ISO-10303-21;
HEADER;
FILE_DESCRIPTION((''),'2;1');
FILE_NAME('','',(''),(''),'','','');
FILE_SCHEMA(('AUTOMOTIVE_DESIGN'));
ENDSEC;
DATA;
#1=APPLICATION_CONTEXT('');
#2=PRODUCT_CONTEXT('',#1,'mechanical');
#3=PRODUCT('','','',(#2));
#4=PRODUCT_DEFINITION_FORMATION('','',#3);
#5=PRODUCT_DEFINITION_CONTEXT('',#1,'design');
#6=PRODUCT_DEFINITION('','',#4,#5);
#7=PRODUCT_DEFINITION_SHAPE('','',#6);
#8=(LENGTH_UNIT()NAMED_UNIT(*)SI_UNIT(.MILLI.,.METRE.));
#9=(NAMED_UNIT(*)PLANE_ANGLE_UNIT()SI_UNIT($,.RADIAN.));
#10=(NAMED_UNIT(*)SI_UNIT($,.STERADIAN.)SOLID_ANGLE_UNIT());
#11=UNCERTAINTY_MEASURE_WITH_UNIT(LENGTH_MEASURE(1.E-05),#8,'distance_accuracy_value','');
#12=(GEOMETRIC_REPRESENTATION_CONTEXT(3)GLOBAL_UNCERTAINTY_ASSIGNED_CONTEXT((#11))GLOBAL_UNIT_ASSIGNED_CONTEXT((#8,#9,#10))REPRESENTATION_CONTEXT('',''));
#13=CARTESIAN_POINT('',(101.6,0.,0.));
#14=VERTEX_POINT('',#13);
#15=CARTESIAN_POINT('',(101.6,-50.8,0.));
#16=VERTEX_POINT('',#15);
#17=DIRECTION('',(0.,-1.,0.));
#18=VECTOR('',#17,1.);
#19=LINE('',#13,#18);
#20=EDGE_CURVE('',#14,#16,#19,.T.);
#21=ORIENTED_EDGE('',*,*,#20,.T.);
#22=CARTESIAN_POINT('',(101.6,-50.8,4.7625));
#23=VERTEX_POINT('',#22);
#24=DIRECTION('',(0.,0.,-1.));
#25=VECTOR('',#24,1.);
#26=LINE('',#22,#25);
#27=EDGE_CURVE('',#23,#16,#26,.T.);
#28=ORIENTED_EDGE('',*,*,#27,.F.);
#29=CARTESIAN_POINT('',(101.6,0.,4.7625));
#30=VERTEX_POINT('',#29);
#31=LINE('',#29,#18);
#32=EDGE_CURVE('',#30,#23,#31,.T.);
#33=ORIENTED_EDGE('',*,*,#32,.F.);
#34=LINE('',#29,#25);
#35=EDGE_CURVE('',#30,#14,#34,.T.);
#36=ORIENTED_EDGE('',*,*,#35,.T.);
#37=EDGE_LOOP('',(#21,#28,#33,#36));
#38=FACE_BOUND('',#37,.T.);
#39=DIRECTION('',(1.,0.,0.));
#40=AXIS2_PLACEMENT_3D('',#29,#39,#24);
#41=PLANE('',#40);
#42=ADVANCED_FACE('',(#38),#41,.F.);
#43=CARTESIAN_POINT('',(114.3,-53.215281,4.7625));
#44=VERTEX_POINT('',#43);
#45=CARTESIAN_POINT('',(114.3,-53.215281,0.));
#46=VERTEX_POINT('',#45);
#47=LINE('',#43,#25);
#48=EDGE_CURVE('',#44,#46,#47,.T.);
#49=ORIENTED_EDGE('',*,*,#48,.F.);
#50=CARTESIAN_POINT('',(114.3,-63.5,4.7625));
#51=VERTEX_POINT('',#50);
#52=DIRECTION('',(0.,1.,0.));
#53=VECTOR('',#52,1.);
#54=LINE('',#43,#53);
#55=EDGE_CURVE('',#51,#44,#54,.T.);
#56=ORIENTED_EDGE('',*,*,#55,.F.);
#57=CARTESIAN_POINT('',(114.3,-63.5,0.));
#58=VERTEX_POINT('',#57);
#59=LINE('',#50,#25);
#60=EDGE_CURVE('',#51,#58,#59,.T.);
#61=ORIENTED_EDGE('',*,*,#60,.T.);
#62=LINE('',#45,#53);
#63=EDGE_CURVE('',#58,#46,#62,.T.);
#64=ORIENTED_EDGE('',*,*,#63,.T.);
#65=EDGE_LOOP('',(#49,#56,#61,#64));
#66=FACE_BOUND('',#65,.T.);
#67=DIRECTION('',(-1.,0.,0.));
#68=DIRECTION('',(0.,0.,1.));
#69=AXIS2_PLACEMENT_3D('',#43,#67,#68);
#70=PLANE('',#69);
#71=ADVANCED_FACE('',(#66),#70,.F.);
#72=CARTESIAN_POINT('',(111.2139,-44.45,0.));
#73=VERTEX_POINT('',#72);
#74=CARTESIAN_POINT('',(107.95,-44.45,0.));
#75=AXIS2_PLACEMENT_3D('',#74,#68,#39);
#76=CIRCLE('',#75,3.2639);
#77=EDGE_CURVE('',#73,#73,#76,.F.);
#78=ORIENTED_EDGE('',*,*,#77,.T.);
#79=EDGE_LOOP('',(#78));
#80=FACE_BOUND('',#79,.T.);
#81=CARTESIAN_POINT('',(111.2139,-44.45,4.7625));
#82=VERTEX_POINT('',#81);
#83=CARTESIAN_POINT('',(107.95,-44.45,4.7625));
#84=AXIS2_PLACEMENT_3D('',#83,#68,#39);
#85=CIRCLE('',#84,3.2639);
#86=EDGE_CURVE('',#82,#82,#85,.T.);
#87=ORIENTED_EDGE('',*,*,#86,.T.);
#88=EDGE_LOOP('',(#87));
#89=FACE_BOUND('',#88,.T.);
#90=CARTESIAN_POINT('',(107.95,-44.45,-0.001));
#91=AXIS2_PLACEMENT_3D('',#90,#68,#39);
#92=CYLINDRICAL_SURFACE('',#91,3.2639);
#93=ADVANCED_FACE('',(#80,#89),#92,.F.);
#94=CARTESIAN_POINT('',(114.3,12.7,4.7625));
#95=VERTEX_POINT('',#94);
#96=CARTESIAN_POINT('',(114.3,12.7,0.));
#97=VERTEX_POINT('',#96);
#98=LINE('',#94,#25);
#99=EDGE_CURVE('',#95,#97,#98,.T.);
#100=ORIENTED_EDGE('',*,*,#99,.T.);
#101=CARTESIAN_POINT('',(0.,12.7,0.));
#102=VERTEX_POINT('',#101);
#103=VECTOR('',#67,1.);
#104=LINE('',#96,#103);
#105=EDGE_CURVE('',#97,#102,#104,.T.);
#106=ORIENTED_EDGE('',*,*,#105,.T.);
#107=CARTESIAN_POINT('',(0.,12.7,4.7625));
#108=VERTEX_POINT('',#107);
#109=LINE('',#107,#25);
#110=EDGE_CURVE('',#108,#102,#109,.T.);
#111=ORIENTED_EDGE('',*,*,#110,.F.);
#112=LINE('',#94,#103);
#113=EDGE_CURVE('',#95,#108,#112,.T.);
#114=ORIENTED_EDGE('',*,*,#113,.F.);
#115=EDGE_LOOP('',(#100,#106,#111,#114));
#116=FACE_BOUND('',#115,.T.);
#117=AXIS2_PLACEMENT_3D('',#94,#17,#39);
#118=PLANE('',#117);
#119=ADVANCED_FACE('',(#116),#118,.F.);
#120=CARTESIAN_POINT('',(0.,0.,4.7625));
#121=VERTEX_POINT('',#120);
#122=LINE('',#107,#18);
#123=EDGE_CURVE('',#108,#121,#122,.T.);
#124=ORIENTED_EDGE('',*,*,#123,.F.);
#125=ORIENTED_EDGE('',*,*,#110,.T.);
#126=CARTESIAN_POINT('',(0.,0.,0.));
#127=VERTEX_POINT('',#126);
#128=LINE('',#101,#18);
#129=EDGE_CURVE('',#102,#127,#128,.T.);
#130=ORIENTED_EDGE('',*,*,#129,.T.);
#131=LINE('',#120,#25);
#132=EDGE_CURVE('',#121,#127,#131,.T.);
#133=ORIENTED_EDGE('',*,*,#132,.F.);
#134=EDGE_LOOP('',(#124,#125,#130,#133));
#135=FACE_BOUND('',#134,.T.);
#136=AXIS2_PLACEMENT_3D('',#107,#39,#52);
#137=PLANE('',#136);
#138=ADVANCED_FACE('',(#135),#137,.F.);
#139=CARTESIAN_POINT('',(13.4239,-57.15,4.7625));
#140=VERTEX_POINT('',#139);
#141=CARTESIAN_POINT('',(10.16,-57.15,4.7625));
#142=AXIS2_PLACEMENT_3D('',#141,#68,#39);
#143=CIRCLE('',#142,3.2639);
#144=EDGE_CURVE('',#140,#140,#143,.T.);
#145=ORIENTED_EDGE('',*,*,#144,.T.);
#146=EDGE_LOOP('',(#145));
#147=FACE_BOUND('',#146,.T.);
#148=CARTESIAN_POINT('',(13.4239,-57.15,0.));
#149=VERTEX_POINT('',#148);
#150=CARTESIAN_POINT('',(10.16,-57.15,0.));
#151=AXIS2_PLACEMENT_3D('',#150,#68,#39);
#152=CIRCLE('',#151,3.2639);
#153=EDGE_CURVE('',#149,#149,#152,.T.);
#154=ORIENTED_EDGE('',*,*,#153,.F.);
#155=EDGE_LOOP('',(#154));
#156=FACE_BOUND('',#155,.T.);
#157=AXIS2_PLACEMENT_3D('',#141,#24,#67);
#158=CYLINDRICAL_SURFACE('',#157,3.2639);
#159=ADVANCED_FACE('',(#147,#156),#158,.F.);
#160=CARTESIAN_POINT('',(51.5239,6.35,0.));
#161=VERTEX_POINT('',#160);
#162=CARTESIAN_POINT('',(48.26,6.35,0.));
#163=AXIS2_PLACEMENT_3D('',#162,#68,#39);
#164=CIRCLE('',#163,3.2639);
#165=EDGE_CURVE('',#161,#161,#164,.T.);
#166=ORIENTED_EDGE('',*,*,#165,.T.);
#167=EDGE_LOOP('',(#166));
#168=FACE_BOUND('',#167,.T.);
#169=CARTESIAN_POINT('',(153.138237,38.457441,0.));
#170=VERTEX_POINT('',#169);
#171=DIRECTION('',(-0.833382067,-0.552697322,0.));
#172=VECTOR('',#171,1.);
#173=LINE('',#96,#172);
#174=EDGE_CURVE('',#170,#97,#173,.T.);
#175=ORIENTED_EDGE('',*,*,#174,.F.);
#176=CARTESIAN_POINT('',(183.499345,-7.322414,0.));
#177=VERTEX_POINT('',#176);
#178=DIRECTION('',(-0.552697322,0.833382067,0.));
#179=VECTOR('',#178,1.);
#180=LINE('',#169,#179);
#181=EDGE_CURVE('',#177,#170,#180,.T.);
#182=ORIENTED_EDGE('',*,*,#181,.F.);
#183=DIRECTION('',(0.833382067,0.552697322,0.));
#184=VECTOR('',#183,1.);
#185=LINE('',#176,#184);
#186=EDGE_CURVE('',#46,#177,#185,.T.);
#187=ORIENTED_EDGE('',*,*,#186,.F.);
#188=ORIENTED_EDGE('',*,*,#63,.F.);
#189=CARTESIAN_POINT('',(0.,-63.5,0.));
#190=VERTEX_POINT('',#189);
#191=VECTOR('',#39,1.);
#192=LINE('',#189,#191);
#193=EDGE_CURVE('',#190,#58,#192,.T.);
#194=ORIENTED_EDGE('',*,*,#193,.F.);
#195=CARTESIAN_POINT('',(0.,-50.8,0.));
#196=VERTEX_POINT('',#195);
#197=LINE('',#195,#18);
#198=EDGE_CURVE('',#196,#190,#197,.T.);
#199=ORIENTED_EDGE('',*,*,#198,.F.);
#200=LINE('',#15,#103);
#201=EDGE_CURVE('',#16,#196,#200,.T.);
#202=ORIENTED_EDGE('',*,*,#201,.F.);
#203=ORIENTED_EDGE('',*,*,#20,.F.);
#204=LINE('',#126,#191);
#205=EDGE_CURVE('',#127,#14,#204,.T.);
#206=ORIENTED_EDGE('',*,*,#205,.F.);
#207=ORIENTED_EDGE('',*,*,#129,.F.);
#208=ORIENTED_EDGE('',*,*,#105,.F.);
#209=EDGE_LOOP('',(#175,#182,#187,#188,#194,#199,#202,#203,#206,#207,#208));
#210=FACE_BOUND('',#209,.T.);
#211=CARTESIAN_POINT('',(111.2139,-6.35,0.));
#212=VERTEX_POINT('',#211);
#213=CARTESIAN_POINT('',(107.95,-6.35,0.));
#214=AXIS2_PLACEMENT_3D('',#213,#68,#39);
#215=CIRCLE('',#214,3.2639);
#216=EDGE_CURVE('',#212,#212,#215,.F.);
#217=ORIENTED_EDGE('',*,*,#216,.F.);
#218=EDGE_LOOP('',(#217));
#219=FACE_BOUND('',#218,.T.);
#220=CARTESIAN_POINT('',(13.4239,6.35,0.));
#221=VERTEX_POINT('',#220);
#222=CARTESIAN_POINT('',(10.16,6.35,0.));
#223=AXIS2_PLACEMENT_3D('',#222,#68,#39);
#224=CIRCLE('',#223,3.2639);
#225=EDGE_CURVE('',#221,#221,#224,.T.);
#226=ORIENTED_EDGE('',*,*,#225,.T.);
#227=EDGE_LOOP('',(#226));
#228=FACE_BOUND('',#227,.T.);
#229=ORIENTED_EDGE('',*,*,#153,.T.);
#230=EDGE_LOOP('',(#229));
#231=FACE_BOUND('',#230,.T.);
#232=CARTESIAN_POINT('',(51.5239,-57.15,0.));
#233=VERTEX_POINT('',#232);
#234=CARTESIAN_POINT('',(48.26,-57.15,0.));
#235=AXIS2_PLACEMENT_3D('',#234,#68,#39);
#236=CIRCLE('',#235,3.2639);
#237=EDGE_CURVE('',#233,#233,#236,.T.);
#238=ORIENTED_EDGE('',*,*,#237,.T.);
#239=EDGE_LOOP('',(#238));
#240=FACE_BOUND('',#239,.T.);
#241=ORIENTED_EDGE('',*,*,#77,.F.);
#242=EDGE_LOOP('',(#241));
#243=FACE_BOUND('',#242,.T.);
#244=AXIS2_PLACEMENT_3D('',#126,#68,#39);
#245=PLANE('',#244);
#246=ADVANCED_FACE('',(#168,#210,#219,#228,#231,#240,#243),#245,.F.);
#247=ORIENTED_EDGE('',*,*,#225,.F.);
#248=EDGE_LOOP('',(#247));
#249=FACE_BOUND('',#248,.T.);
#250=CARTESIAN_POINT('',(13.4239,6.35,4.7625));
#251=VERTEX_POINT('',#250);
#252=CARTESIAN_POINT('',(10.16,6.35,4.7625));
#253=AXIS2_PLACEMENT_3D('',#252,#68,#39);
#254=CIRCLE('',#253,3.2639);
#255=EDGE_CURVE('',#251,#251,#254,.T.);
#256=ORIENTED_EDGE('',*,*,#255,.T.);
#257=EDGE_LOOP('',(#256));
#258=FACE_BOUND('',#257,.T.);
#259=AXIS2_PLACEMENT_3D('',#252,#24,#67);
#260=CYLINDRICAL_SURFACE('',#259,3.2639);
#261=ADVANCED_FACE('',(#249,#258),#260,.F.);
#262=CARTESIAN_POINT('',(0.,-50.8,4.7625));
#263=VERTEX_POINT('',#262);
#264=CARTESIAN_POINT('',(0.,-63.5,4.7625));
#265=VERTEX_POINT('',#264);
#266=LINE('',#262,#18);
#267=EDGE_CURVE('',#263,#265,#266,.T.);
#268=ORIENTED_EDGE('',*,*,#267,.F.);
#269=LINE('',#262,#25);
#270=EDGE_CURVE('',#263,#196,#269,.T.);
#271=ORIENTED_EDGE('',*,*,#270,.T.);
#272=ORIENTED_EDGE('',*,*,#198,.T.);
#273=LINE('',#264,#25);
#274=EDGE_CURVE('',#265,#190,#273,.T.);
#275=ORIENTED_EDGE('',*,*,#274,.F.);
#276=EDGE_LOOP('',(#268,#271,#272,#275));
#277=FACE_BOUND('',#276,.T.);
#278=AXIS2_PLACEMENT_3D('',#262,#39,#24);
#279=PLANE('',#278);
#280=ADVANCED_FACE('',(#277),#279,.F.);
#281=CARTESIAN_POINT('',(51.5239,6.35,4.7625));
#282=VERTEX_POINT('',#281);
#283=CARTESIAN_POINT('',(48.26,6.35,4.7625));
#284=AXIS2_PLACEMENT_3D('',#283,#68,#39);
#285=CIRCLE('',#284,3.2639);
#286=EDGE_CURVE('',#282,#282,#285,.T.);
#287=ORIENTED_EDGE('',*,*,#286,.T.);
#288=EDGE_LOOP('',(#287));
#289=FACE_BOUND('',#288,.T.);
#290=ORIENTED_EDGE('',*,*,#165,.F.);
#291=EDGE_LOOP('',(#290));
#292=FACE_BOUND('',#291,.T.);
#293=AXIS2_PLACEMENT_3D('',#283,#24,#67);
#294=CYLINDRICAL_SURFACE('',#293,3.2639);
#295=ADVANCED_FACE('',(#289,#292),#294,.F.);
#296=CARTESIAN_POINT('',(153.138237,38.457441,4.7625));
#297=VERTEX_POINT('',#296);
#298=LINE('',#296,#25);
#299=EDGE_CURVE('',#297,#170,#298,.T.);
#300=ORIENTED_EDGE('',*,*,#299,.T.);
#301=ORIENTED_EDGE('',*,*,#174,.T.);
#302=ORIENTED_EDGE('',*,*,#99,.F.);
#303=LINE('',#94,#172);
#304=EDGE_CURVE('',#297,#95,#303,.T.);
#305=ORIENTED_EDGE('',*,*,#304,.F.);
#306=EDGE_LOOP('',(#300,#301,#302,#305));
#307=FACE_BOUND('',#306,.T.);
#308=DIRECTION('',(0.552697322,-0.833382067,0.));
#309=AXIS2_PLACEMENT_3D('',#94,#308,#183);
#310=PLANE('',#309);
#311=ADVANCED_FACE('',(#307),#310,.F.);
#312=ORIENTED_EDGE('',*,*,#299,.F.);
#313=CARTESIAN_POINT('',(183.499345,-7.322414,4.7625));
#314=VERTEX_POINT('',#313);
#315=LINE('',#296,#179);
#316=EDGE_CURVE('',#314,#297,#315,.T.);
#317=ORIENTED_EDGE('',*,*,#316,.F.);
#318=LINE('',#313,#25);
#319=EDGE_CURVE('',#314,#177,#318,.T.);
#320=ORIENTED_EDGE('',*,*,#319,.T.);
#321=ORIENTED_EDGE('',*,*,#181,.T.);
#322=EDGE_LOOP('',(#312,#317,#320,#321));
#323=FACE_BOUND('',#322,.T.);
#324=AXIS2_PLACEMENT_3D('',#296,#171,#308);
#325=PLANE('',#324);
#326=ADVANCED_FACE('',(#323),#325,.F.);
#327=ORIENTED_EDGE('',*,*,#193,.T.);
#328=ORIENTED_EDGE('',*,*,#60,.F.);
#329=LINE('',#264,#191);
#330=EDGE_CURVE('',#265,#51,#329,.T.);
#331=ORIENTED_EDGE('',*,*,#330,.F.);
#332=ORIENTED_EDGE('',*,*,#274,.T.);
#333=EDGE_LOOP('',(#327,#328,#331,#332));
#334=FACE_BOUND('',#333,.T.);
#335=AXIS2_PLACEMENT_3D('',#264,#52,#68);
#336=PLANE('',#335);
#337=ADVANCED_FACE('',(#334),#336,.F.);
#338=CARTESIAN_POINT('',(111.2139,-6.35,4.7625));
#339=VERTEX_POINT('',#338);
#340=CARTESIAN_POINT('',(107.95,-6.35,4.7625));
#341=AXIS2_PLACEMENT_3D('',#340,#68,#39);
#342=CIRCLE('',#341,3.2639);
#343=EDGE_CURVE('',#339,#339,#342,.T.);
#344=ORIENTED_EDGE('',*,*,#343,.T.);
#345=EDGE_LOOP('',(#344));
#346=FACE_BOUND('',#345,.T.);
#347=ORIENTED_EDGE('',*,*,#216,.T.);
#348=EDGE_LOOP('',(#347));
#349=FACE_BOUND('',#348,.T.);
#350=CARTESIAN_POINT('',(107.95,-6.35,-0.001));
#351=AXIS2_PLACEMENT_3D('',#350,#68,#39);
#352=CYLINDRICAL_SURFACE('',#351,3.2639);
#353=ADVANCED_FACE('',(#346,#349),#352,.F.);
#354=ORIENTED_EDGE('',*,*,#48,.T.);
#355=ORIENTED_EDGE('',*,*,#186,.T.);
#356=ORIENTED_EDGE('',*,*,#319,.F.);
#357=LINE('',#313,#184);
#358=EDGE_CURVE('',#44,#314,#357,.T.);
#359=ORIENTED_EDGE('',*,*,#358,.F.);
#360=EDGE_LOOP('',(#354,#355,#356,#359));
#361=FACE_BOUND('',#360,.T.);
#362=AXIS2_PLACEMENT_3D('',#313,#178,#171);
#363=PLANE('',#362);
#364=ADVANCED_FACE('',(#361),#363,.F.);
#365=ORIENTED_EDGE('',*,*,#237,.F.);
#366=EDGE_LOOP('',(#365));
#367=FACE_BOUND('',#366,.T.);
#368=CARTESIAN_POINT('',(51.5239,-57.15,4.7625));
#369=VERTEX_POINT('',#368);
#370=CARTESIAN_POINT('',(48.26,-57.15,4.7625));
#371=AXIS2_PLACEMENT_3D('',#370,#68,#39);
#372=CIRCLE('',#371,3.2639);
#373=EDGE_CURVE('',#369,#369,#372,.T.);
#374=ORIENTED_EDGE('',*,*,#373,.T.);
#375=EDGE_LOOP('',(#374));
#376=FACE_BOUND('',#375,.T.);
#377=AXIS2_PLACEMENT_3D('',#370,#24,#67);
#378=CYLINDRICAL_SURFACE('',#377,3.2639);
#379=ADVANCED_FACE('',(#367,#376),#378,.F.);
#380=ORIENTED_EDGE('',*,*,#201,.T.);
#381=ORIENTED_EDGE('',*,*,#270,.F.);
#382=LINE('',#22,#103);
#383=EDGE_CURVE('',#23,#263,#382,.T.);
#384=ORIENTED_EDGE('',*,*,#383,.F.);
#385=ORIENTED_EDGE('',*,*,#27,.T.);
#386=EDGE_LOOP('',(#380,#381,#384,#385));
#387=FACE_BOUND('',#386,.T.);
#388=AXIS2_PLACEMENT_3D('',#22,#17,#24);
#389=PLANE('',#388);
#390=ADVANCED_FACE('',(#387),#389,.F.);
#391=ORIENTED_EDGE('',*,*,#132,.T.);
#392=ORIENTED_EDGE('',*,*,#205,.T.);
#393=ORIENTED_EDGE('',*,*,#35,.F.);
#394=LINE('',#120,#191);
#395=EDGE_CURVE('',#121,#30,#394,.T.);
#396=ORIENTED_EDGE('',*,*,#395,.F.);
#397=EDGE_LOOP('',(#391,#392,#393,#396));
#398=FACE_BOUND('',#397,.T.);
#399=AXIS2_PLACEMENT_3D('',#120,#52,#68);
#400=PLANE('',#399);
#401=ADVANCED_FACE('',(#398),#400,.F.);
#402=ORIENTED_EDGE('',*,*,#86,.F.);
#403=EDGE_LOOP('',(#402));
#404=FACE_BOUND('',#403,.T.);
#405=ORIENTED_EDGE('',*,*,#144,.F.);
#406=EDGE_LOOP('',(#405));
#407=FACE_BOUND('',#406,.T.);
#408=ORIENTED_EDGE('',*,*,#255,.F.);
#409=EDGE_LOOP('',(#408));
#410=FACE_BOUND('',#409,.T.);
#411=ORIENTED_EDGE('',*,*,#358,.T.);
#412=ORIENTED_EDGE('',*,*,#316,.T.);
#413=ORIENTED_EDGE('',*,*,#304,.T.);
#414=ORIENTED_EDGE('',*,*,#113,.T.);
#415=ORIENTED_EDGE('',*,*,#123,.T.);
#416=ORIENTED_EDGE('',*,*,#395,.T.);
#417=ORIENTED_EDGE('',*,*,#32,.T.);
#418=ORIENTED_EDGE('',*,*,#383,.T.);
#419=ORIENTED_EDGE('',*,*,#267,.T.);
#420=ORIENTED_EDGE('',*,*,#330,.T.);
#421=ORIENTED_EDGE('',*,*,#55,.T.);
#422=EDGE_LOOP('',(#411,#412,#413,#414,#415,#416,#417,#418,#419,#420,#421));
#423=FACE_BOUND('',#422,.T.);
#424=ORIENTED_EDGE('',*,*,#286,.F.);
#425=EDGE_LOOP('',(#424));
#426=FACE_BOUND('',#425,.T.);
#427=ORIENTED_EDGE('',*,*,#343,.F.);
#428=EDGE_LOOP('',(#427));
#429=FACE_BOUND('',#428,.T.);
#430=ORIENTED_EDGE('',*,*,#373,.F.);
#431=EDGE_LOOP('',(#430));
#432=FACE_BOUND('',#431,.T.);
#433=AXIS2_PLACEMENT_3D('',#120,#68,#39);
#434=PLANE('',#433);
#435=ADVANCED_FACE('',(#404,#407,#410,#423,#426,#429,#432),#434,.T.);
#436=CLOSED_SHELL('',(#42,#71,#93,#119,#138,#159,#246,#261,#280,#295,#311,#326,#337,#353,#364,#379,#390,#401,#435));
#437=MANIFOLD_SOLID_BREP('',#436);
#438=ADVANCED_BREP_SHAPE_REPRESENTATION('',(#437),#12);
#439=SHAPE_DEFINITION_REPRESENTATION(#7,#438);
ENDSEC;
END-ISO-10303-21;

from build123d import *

# Parameters (mm, degrees)
SKETCH1_R           = 3.2639
BOSS_EXTRUDE1_DEPTH = 4.7625
CUT_EXTRUDE1_REACH  = 6.763
SKETCH2_R           = 3.2639


with BuildPart() as part:
    # Sketch1 → Boss-Extrude1 (new body)
    with BuildSketch(Plane.XY):
        Polygon((0, 0), (101.6, 0), (101.6, -50.8), (0, -50.8), (0, -63.5), (114.3, -63.5), (114.3, -53.215281422), (183.499345052, -7.322414016), (153.138236671, 38.457440977), (114.3, 12.7), (0, 12.7), align=None)
        with Locations((10.16, 6.35)):
            Circle(SKETCH1_R, mode=Mode.SUBTRACT)
        with Locations((48.26, 6.35)):
            Circle(SKETCH1_R, mode=Mode.SUBTRACT)
        with Locations((10.16, -57.15)):
            Circle(SKETCH1_R, mode=Mode.SUBTRACT)
        with Locations((48.26, -57.15)):
            Circle(SKETCH1_R, mode=Mode.SUBTRACT)
    extrude(amount=BOSS_EXTRUDE1_DEPTH)

    # Sketch2 → Cut-Extrude1 (cut, up to next)
    with BuildSketch(Plane.XY.offset(4.7625), mode=Mode.PRIVATE) as cut_extrude1_sk1:
        with Locations((107.95, -6.35)):
            Circle(SKETCH2_R)
    cut_extrude1_tool1 = extrude(cut_extrude1_sk1.sketch, amount=-CUT_EXTRUDE1_REACH, mode=Mode.PRIVATE) & part.part
    add(cut_extrude1_tool1.solids().sort_by_distance((107.95, -6.35, 4.7625))[0], mode=Mode.SUBTRACT)
    # Sketch2 → Cut-Extrude1 (cut, up to next)
    with BuildSketch(Plane.XY.offset(4.7625), mode=Mode.PRIVATE) as cut_extrude1_sk2:
        with Locations((107.95, -44.45)):
            Circle(SKETCH2_R)
    cut_extrude1_tool2 = extrude(cut_extrude1_sk2.sketch, amount=-CUT_EXTRUDE1_REACH, mode=Mode.PRIVATE) & part.part
    add(cut_extrude1_tool2.solids().sort_by_distance((107.95, -44.45, 4.7625))[0], mode=Mode.SUBTRACT)


solid = part.part
